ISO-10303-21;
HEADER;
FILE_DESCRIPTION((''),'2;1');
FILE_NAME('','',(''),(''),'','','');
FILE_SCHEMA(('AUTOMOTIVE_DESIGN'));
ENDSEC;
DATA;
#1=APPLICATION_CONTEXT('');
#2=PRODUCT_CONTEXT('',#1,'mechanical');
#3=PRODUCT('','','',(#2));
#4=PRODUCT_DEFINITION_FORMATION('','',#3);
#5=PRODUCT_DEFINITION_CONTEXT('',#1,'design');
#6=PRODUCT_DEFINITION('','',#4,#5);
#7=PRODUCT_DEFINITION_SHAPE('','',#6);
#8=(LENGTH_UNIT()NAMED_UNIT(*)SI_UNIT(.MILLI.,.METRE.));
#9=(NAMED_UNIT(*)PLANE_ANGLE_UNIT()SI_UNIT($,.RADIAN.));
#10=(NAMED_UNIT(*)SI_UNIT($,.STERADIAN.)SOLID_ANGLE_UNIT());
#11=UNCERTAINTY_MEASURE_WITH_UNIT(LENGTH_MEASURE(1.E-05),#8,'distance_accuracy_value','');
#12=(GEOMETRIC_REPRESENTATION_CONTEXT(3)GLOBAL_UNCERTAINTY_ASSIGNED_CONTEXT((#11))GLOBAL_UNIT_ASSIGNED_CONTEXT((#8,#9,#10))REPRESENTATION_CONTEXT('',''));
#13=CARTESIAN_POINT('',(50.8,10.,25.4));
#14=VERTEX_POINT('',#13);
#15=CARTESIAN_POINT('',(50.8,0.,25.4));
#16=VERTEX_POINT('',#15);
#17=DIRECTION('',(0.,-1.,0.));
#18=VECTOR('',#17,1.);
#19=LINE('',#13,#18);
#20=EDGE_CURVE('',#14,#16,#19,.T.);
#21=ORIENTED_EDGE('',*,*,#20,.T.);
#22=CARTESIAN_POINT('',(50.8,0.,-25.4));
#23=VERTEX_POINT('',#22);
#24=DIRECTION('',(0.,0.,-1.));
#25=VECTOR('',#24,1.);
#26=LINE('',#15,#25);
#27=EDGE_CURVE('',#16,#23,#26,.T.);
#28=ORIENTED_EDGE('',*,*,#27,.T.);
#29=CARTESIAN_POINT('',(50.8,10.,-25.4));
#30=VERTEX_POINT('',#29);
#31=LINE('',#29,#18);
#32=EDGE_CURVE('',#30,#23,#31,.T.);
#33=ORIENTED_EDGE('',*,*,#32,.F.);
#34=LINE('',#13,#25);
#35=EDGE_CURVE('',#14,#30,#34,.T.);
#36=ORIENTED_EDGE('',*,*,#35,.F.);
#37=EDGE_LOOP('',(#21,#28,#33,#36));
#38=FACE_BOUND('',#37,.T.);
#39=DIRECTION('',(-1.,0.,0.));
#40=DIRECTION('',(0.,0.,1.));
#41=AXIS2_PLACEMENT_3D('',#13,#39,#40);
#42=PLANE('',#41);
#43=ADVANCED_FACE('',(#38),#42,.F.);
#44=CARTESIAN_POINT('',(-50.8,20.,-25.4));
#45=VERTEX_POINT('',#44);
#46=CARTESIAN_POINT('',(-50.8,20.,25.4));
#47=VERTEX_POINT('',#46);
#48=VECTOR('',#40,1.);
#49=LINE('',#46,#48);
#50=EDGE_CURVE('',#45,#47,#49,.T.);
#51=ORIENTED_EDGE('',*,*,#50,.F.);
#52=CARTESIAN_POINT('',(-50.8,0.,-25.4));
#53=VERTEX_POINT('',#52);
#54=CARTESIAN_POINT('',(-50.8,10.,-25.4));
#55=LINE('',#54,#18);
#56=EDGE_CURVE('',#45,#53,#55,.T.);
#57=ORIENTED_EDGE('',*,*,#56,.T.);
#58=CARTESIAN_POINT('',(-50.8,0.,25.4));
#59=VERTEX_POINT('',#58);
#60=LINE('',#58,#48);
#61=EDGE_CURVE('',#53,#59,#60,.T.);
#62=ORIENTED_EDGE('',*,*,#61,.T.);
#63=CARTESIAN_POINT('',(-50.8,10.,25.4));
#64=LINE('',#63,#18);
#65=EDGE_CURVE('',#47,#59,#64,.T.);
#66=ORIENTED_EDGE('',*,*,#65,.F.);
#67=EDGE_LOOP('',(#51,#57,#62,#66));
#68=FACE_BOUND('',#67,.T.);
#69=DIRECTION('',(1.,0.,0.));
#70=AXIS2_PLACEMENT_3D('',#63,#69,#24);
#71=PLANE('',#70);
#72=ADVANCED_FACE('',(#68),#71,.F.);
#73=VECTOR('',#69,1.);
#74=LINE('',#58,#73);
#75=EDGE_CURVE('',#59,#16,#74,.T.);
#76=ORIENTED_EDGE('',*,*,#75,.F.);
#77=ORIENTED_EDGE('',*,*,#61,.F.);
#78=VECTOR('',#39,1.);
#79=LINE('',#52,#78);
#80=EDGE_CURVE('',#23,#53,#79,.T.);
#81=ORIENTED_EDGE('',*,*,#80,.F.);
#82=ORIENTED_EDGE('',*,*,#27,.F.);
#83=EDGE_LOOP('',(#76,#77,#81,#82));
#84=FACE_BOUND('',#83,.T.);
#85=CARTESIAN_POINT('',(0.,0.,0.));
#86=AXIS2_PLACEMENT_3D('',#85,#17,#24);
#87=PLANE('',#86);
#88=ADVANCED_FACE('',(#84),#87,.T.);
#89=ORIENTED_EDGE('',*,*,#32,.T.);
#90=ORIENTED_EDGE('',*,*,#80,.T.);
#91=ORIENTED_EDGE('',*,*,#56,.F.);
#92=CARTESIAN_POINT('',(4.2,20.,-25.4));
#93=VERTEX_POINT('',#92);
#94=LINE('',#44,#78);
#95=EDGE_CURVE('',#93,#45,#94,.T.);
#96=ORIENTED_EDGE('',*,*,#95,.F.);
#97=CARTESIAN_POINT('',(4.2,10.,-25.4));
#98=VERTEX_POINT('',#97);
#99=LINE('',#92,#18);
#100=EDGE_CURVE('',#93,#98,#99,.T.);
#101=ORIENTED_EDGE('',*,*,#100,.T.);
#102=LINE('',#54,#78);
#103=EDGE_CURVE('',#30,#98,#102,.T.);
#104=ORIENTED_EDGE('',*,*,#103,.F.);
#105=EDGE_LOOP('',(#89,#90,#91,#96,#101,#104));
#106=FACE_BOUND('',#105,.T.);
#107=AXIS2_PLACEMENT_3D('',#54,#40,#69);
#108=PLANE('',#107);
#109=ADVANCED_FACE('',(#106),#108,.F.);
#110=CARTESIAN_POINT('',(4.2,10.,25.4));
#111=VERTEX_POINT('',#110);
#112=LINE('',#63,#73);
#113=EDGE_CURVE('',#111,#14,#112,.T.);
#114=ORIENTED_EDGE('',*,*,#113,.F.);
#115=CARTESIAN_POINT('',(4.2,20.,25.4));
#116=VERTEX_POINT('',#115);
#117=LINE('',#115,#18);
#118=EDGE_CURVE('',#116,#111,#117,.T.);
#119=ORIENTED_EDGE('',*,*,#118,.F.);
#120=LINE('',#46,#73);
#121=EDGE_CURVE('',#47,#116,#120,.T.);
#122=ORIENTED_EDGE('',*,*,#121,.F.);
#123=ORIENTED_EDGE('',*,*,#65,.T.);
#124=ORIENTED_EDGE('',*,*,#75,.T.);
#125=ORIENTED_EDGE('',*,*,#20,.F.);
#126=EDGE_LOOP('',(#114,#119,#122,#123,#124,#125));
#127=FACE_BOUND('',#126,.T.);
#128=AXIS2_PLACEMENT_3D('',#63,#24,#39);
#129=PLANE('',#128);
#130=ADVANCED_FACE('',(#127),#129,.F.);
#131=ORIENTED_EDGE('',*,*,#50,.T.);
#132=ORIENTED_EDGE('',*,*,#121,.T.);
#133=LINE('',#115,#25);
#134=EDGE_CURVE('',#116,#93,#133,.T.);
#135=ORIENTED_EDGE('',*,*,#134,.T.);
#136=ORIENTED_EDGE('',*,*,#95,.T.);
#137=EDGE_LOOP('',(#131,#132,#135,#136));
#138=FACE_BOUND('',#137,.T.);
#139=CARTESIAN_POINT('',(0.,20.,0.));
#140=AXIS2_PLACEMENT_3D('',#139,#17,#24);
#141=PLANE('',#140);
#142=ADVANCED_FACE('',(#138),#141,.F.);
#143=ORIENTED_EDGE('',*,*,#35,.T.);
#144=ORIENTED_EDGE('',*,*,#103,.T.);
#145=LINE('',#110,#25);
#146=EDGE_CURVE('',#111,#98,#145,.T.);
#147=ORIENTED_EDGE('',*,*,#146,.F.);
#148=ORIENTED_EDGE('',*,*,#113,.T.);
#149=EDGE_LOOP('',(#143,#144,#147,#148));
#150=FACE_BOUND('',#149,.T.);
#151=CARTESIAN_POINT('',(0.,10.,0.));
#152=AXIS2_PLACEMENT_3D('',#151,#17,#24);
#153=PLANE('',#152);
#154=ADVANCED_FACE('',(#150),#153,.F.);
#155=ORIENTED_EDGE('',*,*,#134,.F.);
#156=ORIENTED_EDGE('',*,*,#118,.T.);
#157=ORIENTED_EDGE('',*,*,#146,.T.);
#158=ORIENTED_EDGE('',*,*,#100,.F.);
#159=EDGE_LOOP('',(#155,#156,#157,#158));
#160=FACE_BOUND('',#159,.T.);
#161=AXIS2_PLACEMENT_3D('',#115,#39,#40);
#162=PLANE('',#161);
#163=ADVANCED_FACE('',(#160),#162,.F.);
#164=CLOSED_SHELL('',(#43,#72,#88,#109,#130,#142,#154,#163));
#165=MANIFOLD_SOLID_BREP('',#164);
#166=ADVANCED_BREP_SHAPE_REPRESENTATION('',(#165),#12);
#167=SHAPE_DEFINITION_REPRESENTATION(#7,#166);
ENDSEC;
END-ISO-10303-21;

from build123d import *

# Parameters (mm, degrees)
SKETCH1_W           = 101.6
SKETCH1_H           = 50.8
BOSS_EXTRUDE1_DEPTH = 10
SKETCH2_W           = 55
SKETCH2_H           = 50.8
BOSS_EXTRUDE2_DEPTH = 10


with BuildPart() as part:
    # Sketch1 → Boss-Extrude1 (new body)
    with BuildSketch(Plane(origin=(0, 0, 0), x_dir=(1, 0, 0), z_dir=(0, 1, 0))):
        Rectangle(SKETCH1_W, SKETCH1_H)
    extrude(amount=BOSS_EXTRUDE1_DEPTH)

    # Sketch2 → Boss-Extrude2 (add)
    with BuildSketch(Plane(origin=(0, 10, 0), x_dir=(1, 0, 0), z_dir=(0, 1, 0))):
        with Locations((-23.3, 0)):
            Rectangle(SKETCH2_W, SKETCH2_H)
    extrude(amount=BOSS_EXTRUDE2_DEPTH)


solid = part.part
